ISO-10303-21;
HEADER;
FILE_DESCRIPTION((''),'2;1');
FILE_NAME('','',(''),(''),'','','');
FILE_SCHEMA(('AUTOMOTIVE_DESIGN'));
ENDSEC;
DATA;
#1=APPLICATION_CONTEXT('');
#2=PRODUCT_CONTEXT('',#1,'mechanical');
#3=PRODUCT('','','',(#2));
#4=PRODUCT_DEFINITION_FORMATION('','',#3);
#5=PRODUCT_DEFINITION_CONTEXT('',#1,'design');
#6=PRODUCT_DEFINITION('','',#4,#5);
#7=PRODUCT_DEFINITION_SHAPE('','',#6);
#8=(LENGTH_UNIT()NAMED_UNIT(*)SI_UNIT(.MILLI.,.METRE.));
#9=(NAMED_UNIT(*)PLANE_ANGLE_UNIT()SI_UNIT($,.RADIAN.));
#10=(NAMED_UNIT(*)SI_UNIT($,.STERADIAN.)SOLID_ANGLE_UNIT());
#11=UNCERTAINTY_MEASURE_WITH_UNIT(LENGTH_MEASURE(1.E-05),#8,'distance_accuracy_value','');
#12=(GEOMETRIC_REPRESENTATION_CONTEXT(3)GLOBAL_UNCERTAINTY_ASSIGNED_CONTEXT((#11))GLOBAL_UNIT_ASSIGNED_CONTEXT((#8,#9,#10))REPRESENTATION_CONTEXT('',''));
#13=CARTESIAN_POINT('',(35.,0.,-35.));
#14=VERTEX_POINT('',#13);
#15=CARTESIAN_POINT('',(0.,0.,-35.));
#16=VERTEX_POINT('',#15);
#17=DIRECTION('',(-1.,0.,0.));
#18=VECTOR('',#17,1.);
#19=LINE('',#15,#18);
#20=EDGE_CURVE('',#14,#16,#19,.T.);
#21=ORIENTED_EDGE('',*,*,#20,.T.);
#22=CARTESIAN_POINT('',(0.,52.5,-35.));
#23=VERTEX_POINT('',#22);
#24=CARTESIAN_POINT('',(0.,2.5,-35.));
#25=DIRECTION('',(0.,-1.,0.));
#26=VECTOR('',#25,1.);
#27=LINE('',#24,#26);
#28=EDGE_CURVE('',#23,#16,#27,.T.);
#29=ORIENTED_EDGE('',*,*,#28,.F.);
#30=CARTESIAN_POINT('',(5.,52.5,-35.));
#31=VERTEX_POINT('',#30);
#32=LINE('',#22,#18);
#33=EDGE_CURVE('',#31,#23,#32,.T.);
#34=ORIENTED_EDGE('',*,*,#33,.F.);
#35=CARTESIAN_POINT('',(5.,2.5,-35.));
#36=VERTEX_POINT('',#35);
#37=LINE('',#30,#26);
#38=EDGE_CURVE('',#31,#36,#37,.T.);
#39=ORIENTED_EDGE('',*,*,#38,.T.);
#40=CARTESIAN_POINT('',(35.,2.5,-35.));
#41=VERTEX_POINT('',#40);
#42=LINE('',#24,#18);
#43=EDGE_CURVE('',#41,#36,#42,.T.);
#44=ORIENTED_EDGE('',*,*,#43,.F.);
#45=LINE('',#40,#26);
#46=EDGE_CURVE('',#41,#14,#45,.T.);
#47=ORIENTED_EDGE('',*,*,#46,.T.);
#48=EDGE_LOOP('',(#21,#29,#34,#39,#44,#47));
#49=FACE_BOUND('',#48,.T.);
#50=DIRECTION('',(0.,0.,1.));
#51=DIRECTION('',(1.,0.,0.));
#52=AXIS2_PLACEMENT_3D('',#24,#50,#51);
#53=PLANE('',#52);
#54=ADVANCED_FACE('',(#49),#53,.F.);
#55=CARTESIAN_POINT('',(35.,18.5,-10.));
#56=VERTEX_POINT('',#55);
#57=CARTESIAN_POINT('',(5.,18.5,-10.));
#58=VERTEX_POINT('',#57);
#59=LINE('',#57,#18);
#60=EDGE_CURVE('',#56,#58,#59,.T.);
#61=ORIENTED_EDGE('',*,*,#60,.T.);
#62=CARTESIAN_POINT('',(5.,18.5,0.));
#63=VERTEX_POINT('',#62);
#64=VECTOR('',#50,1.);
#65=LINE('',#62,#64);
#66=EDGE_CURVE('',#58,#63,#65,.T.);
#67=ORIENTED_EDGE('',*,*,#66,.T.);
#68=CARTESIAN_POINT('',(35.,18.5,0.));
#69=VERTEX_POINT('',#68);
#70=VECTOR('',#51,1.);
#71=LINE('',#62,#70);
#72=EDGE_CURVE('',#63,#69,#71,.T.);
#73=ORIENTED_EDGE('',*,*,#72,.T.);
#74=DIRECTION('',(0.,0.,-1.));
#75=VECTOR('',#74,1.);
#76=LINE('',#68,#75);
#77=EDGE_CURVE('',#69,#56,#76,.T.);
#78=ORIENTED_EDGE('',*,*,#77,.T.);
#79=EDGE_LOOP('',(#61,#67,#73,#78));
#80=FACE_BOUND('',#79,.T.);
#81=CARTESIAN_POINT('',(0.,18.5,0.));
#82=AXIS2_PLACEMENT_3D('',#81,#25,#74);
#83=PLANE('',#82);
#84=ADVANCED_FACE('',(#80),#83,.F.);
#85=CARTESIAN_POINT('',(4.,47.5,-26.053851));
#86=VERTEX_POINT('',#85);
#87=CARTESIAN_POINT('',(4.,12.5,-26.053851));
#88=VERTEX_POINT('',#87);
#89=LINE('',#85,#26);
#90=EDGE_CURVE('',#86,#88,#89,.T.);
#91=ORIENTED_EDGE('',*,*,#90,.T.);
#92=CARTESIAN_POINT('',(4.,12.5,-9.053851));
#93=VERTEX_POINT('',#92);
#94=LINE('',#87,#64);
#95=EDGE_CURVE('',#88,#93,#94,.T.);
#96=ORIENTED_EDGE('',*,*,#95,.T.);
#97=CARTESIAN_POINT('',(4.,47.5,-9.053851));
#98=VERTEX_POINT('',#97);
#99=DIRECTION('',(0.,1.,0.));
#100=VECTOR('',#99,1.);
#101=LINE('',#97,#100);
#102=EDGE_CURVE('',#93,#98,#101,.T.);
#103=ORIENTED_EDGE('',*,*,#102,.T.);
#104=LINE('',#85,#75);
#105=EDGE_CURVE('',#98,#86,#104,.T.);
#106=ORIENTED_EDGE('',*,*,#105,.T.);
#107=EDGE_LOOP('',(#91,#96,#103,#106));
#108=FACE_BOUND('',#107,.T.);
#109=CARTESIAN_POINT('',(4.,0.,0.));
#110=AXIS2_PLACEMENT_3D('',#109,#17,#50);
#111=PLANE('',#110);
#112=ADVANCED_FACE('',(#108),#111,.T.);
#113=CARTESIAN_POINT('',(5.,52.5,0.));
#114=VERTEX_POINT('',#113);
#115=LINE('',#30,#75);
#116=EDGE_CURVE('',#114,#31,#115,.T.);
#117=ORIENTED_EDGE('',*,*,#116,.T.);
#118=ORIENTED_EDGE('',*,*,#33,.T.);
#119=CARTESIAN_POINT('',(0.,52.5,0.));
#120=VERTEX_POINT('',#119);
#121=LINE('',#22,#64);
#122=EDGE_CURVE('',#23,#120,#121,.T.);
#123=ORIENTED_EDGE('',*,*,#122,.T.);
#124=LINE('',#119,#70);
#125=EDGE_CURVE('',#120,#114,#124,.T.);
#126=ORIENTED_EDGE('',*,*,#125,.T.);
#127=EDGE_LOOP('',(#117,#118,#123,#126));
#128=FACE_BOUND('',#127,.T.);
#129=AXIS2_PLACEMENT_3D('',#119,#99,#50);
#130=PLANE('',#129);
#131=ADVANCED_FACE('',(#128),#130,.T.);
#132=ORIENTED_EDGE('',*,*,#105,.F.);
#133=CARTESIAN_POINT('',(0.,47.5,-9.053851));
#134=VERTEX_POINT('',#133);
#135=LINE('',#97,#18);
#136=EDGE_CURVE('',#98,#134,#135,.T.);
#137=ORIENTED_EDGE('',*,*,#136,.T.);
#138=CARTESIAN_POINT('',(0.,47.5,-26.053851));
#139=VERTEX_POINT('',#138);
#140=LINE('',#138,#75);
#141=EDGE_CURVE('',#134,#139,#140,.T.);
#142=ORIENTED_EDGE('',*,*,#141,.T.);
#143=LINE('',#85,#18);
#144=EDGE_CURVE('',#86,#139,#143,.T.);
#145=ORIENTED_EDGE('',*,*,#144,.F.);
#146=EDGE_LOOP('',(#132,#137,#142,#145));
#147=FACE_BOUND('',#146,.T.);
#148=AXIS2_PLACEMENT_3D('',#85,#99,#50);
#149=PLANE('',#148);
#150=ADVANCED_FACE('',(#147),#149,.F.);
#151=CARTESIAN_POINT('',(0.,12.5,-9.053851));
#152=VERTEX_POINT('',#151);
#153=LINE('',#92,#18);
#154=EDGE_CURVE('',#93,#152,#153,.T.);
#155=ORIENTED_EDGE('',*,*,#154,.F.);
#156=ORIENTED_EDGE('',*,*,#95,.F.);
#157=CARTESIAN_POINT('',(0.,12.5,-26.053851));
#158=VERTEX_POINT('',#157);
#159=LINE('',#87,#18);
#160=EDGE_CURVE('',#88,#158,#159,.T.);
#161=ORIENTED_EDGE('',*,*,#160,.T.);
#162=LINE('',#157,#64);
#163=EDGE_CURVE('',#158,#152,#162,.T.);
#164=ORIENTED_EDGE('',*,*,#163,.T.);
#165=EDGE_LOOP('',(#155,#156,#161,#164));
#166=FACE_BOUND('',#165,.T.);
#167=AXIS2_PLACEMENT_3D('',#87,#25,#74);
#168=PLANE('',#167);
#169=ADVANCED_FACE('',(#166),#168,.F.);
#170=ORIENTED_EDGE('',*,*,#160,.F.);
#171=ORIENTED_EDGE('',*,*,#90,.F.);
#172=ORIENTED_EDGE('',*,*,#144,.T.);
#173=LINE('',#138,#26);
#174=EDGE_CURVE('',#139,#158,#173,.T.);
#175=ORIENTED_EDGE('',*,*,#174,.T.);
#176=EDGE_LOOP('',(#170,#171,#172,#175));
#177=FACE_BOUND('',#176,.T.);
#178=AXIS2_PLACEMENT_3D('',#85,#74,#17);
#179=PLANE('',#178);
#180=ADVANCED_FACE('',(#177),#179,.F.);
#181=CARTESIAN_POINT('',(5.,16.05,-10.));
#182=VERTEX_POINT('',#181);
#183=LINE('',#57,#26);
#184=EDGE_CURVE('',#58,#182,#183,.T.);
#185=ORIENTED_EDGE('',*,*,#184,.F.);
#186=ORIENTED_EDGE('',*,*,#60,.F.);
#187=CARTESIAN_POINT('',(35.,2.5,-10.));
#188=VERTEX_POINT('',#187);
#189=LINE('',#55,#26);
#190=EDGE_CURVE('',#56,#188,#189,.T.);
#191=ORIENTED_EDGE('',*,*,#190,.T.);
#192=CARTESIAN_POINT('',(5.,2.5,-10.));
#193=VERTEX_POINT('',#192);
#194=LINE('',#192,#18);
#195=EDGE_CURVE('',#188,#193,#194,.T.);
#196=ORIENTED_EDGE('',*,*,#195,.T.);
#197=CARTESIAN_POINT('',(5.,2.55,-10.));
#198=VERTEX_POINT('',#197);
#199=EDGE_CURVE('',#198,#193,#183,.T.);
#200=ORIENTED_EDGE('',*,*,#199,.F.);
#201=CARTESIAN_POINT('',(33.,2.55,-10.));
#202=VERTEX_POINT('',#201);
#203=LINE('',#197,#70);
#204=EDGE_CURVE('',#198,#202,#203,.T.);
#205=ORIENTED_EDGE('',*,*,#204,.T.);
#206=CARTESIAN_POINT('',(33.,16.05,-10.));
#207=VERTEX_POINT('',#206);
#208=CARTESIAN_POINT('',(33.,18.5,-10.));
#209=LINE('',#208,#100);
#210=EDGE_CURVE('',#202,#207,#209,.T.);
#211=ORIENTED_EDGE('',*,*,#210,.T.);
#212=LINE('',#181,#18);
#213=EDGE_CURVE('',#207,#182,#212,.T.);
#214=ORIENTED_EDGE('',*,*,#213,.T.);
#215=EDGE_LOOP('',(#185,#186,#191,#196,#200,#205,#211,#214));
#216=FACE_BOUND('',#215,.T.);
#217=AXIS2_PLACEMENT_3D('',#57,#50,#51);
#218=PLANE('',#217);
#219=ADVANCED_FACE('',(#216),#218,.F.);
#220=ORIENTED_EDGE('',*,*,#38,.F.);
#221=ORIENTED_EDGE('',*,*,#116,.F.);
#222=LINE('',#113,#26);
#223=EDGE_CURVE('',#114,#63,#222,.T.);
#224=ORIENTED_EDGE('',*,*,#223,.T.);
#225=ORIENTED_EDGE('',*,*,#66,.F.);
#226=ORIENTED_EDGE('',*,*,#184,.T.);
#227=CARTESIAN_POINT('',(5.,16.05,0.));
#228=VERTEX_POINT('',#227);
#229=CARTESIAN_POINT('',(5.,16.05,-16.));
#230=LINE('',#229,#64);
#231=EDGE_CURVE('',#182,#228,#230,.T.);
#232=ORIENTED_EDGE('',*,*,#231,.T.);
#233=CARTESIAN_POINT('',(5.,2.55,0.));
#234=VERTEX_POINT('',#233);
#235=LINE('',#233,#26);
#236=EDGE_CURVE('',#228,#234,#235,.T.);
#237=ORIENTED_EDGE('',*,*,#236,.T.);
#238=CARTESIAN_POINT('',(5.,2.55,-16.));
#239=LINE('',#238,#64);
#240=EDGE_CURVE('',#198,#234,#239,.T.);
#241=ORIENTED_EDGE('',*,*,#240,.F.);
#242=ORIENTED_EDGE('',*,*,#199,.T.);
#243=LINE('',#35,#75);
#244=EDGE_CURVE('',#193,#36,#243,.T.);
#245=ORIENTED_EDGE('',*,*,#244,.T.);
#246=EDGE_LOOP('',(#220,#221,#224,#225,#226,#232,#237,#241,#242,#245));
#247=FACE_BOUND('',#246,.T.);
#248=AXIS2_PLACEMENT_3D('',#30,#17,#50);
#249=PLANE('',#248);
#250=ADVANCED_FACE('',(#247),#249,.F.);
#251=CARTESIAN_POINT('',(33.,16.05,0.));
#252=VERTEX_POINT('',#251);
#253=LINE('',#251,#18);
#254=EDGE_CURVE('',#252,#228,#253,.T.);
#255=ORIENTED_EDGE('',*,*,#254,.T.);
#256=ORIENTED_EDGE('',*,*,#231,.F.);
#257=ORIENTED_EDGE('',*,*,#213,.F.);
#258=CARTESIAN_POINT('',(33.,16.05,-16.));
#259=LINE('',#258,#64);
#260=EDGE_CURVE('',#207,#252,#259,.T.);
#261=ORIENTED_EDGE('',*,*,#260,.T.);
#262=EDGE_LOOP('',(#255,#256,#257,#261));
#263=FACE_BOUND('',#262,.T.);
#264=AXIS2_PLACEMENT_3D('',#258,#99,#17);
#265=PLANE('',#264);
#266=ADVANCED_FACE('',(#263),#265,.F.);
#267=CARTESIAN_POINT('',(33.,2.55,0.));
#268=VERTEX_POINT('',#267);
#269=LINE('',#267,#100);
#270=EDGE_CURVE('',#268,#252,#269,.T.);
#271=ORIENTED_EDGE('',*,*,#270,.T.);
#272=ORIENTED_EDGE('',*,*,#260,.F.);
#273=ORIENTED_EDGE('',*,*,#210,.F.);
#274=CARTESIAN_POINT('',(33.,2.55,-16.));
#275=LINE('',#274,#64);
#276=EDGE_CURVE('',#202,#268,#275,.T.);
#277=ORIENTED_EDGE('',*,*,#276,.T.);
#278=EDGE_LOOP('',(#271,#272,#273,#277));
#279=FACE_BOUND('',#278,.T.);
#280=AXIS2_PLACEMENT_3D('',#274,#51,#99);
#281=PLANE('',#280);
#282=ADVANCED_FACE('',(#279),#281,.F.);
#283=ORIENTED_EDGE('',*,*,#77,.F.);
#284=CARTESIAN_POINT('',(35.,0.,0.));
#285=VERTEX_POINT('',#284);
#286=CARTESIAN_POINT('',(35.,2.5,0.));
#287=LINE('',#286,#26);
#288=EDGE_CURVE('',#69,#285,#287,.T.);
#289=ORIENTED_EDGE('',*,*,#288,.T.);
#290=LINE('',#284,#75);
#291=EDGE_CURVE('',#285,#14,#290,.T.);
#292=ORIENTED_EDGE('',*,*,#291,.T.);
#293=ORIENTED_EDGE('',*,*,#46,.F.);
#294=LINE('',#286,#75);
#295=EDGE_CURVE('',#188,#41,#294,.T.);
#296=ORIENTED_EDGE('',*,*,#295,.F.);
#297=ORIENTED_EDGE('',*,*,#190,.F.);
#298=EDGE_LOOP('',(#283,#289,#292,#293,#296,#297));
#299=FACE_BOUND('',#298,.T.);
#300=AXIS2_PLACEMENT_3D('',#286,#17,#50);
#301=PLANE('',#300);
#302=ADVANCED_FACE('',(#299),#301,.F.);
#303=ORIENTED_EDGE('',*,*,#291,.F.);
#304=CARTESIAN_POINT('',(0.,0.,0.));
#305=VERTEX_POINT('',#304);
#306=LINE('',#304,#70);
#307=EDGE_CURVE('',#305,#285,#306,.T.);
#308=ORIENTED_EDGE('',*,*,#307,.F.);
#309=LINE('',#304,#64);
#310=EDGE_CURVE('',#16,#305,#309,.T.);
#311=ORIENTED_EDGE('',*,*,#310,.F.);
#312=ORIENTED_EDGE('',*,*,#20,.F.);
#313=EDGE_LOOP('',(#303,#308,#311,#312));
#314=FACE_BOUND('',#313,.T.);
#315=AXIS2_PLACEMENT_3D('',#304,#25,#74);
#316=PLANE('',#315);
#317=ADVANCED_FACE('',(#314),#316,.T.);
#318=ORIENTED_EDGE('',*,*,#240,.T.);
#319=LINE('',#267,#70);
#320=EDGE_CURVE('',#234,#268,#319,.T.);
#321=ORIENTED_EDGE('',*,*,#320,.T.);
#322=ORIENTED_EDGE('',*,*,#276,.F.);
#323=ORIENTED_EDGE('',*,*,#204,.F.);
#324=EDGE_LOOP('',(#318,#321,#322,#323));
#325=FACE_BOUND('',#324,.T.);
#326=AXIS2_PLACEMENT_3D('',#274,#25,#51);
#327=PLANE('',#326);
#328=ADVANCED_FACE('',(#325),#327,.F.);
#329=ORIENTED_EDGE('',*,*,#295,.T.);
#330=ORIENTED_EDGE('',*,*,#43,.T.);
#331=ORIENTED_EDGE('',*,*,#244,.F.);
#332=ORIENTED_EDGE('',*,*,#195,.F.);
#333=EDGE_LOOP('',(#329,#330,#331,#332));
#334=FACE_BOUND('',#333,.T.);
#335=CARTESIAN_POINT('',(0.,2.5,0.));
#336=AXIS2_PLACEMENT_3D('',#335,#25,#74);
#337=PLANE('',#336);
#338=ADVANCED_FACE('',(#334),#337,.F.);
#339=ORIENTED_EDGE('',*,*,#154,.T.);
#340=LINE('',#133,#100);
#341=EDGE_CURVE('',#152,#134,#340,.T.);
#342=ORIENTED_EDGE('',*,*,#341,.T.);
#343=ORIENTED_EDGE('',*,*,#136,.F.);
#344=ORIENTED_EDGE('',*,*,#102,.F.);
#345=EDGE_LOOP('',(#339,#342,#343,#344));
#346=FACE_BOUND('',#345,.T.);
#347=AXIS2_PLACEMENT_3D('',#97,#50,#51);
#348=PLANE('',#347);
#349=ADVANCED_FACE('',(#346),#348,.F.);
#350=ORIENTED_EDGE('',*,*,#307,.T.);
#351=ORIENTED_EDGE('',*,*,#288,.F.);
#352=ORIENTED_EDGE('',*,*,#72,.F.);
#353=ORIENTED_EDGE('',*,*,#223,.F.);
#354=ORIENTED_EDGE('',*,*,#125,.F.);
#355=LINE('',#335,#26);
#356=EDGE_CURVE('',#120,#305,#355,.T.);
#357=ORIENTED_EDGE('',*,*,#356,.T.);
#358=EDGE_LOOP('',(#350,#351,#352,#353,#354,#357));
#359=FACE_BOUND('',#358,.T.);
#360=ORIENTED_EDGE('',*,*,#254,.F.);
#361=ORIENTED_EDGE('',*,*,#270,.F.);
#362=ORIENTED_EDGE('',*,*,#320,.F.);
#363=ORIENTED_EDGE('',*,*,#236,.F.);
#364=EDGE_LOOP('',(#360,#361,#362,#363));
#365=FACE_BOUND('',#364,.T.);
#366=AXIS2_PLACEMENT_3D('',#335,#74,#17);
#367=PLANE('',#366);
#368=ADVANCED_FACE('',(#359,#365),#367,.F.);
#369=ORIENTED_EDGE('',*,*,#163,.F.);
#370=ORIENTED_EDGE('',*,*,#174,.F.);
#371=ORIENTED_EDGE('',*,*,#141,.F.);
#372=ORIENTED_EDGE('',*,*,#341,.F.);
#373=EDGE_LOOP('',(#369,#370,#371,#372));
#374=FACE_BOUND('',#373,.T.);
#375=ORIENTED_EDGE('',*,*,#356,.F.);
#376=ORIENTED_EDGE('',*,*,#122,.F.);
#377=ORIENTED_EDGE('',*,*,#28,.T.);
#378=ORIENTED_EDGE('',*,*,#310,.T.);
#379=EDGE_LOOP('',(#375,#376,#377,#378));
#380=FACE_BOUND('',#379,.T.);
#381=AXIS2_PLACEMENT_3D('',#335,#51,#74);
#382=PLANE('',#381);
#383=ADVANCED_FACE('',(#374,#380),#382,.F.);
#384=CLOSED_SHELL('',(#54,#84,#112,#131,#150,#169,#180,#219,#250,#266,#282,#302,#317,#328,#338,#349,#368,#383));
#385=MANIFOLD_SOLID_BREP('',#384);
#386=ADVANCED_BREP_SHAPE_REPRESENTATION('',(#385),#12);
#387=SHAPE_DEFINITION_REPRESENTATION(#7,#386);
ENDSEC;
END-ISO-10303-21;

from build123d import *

# Parameters (mm, degrees)
SKETCH1_W           = 35
SKETCH1_H           = 35
BOSS_EXTRUDE1_DEPTH = 2.5
SKETCH2_W           = 5
SKETCH2_H           = 35
BOSS_EXTRUDE2_DEPTH = 50
SKETCH5_W           = 17
SKETCH5_H           = 35
CUT_EXTRUDE2_DEPTH  = 4
SKETCH6_W           = 30
SKETCH6_H           = 10
BOSS_EXTRUDE3_DEPTH = 16
SKETCH7_W           = 28
SKETCH7_H           = 13.5
CUT_EXTRUDE3_DEPTH  = 16


with BuildPart() as part:
    # Sketch1 → Boss-Extrude1 (new body)
    with BuildSketch(Plane(origin=(0, 0, 0), x_dir=(1, 0, 0), z_dir=(0, 1, 0))):
        with Locations((17.5, 17.5)):
            Rectangle(SKETCH1_W, SKETCH1_H)
    extrude(amount=BOSS_EXTRUDE1_DEPTH)

    # Sketch2 → Boss-Extrude2 (add)
    with BuildSketch(Plane(origin=(0, 2.5, 0), x_dir=(1, 0, 0), z_dir=(0, 1, 0))):
        with Locations((2.5, 17.5)):
            Rectangle(SKETCH2_W, SKETCH2_H)
    extrude(amount=BOSS_EXTRUDE2_DEPTH)

    # Sketch5 → Cut-Extrude2 (cut)
    with BuildSketch(Plane.ZY):
        with Locations((-17.553851225, 30)):
            Rectangle(SKETCH5_W, SKETCH5_H)
    extrude(amount=-CUT_EXTRUDE2_DEPTH, mode=Mode.SUBTRACT)

    # Sketch6 → Boss-Extrude3 (add)
    with BuildSketch(Plane(origin=(0, 2.5, 0), x_dir=(1, 0, 0), z_dir=(0, 1, 0))):
        with Locations((20, 5)):
            Rectangle(SKETCH6_W, SKETCH6_H)
    extrude(amount=BOSS_EXTRUDE3_DEPTH)

    # Sketch7 → Cut-Extrude3 (cut)
    with BuildSketch(Plane.XY):
        with Locations((19, 9.3)):
            Rectangle(SKETCH7_W, SKETCH7_H)
    extrude(amount=-CUT_EXTRUDE3_DEPTH, mode=Mode.SUBTRACT)


solid = part.part
